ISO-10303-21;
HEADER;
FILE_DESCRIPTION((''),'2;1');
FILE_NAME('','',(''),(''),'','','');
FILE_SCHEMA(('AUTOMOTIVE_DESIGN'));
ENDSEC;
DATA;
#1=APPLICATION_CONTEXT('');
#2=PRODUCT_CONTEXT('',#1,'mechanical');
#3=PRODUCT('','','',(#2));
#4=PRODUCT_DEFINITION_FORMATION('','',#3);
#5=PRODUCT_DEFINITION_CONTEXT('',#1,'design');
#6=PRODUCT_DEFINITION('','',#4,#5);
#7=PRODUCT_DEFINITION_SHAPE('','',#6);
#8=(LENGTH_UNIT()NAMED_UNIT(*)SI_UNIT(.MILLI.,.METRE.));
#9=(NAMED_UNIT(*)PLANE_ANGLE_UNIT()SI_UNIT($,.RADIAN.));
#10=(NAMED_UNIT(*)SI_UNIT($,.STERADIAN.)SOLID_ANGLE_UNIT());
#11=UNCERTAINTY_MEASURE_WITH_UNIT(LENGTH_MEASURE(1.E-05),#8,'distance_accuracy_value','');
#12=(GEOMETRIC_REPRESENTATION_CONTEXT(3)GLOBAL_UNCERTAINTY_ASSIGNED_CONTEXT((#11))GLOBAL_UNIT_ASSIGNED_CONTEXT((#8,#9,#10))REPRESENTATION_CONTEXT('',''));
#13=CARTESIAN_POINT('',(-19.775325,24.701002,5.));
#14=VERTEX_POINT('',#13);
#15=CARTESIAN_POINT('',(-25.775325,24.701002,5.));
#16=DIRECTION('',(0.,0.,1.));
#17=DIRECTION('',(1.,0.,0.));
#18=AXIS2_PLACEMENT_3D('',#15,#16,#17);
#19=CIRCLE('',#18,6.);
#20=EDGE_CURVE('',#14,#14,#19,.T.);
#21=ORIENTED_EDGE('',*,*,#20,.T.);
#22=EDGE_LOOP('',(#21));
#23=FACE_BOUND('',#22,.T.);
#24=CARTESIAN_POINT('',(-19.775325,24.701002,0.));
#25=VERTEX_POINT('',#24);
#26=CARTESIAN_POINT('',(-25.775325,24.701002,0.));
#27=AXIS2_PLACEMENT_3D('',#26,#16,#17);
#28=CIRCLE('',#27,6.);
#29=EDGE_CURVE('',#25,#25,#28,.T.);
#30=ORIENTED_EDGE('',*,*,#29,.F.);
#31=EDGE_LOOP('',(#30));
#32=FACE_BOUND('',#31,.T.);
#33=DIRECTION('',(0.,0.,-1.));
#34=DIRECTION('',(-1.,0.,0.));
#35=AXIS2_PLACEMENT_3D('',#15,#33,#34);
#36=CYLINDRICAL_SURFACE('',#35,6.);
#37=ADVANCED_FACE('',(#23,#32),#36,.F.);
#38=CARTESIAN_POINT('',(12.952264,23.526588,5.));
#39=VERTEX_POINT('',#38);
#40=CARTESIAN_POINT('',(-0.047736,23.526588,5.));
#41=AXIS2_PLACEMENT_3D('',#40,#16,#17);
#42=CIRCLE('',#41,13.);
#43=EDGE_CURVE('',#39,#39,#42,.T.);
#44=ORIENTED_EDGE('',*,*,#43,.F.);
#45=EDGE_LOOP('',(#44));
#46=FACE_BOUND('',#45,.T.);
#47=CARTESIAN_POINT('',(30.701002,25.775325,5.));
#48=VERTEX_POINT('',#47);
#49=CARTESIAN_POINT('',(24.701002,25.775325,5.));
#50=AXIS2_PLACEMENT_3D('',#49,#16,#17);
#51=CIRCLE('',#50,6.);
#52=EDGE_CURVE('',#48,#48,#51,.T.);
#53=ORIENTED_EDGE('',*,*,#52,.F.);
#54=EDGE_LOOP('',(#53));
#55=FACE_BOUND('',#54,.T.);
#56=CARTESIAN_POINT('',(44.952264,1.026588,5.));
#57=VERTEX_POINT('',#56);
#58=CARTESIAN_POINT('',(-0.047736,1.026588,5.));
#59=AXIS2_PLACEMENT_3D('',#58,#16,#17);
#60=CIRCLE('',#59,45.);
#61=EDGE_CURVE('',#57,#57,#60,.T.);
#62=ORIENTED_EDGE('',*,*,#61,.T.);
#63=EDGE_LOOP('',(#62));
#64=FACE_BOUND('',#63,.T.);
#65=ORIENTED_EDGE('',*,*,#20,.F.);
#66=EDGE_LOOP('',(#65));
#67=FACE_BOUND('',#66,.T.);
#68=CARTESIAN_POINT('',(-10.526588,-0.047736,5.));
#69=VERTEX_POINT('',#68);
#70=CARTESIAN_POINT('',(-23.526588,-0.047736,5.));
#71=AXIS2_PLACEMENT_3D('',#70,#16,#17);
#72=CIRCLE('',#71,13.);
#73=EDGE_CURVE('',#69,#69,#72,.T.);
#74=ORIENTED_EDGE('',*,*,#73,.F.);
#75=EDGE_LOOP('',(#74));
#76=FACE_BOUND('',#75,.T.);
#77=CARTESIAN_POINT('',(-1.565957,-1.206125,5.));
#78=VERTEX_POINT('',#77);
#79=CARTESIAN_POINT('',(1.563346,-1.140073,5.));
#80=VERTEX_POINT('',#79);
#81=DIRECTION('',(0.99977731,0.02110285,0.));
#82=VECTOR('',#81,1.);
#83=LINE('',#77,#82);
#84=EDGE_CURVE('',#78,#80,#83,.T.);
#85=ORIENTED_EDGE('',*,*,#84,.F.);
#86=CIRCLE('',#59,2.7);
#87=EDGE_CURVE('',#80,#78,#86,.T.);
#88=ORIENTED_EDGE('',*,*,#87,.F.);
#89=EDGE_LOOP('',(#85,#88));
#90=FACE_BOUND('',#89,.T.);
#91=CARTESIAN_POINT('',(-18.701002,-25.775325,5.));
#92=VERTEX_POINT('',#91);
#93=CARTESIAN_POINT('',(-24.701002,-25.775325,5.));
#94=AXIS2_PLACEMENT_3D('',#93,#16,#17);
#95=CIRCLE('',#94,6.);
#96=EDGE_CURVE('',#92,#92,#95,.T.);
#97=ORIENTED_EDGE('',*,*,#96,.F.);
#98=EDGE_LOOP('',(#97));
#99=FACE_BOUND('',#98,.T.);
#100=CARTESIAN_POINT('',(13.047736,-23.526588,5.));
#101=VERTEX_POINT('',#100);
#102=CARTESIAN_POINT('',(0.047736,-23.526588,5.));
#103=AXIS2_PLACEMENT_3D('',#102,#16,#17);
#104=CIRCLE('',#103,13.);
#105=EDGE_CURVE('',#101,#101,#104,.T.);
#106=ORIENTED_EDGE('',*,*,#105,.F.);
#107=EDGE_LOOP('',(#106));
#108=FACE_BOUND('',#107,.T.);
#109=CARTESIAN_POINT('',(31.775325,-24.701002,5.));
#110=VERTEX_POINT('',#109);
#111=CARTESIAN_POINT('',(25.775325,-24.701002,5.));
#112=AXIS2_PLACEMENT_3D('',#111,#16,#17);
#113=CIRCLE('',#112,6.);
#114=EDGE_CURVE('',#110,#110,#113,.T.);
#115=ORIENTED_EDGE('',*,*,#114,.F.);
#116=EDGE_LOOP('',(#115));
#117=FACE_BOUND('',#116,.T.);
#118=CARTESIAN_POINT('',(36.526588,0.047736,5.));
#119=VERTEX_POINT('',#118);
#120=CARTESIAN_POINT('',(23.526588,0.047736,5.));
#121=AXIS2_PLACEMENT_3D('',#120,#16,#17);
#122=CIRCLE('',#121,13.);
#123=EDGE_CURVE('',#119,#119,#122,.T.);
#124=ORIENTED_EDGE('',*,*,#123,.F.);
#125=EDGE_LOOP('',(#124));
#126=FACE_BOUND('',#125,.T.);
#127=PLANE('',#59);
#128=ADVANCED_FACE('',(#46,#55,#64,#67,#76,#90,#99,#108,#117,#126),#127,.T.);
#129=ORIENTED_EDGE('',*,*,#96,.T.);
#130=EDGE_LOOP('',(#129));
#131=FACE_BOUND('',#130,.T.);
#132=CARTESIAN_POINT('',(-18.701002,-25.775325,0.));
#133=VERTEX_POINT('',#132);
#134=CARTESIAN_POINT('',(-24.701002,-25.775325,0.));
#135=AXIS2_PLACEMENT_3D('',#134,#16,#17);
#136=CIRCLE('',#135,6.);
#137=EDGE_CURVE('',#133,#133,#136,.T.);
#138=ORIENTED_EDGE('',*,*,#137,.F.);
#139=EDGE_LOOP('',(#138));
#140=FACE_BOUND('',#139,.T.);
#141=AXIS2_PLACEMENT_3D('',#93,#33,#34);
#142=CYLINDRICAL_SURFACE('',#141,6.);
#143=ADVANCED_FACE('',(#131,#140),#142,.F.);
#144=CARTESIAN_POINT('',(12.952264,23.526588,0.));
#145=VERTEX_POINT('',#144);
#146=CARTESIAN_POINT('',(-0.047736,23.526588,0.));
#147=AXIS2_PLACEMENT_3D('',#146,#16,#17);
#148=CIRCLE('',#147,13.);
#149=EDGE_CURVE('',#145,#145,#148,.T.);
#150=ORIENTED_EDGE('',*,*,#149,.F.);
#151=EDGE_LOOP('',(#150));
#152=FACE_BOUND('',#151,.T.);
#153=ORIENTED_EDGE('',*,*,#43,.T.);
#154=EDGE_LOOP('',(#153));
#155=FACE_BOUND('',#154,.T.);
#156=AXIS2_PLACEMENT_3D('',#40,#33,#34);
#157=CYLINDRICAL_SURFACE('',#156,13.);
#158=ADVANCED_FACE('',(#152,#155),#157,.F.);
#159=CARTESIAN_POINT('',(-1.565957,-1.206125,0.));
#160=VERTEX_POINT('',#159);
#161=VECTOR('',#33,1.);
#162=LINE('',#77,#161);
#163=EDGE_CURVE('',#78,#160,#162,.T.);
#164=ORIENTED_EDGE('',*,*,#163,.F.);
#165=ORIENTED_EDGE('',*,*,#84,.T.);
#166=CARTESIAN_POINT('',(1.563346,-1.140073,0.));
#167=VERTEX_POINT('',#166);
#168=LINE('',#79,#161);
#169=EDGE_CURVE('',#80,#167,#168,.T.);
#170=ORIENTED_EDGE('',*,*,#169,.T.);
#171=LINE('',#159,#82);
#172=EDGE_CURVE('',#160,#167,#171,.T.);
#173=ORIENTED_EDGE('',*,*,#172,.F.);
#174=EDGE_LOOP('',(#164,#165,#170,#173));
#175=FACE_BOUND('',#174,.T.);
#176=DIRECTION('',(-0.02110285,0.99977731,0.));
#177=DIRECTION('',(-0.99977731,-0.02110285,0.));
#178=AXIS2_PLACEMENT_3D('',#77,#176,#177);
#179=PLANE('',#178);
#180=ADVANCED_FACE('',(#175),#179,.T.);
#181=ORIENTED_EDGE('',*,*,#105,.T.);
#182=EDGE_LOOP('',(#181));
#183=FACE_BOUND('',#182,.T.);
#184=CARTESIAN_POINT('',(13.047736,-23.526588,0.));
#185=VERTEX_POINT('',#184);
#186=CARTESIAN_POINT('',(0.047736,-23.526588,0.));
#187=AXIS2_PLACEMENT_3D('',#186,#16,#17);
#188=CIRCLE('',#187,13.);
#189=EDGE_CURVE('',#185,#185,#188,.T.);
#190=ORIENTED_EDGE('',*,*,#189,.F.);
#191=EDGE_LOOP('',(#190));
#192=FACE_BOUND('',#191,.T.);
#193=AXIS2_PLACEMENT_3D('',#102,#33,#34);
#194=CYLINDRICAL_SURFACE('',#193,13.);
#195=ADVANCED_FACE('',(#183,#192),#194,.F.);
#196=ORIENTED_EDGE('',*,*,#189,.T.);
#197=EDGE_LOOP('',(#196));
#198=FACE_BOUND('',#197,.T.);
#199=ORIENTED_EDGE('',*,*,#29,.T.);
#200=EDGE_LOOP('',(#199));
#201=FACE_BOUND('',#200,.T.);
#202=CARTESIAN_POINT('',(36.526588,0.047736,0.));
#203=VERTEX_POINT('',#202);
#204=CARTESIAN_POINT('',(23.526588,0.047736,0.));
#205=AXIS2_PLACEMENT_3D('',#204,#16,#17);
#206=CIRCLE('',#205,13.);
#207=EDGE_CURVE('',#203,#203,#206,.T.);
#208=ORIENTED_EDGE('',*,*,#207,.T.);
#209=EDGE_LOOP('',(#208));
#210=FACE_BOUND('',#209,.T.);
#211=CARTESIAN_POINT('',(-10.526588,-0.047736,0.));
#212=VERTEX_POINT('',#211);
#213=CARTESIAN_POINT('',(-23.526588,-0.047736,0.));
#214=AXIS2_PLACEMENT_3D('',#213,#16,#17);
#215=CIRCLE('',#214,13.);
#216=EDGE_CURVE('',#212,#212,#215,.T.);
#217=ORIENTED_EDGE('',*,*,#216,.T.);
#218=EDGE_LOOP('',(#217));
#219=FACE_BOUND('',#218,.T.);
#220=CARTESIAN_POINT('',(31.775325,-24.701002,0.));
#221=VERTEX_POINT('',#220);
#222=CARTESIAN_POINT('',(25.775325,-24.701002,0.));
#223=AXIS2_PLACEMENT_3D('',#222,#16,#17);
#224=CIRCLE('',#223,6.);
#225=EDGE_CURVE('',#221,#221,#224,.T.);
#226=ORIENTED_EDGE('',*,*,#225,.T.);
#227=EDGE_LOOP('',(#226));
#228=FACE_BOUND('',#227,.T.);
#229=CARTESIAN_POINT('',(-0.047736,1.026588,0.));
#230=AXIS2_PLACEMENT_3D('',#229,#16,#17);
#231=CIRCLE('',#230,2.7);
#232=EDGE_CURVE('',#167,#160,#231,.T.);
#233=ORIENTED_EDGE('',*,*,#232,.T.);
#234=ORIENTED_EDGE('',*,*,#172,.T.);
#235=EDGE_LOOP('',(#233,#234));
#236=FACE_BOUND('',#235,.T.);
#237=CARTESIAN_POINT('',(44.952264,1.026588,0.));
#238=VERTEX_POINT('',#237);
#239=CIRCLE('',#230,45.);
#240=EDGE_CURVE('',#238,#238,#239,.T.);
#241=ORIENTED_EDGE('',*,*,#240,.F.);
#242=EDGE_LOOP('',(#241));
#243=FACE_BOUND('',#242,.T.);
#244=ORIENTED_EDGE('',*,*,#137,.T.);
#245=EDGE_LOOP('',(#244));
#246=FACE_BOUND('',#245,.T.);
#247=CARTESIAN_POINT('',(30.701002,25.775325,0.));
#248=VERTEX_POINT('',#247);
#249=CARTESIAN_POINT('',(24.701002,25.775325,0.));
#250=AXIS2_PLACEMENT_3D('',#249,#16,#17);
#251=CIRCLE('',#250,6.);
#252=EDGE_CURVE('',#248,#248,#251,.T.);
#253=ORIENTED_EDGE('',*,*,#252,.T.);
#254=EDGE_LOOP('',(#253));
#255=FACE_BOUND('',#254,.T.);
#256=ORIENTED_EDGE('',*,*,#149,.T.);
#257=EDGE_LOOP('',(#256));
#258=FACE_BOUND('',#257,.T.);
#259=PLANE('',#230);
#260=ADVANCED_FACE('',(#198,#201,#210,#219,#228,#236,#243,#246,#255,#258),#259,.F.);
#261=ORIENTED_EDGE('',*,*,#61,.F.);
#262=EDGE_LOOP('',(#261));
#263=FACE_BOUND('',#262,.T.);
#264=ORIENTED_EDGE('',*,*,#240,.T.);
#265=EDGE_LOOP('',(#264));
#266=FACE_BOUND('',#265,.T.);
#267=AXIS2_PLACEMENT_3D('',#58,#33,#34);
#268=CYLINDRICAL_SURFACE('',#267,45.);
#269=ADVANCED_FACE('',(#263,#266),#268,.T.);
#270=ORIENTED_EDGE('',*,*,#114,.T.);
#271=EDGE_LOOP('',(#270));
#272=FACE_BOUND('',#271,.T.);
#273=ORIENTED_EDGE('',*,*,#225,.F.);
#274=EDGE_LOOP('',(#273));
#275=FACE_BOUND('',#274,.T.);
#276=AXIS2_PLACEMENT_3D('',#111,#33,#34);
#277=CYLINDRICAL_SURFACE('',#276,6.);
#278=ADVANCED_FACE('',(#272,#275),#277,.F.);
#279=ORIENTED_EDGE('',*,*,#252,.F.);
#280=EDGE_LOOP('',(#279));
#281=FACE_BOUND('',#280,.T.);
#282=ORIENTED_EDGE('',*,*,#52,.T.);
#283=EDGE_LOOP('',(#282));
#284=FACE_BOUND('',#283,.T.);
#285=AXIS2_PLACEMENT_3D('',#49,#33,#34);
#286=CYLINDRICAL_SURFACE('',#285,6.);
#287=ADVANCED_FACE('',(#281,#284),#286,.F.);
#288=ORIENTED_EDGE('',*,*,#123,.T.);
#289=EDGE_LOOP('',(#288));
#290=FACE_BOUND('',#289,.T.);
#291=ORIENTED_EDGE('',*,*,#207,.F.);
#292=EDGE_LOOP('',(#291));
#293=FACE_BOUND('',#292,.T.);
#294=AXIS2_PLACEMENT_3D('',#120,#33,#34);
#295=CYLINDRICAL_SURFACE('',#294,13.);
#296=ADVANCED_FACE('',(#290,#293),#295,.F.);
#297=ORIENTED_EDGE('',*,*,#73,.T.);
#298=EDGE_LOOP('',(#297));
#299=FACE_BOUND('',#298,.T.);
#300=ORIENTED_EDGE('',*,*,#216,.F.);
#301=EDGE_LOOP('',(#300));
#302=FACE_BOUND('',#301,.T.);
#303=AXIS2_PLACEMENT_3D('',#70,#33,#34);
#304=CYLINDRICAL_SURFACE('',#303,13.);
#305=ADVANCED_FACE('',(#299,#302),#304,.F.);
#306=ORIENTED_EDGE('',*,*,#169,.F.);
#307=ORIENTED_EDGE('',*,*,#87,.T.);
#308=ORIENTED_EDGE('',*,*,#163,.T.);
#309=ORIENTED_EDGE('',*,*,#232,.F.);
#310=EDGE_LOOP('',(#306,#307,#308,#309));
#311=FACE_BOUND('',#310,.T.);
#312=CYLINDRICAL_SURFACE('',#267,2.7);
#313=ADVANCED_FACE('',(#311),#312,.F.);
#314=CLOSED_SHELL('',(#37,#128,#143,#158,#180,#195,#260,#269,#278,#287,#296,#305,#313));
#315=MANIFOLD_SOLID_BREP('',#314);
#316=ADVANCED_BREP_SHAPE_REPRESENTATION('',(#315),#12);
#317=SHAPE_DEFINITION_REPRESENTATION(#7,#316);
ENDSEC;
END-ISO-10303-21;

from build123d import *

# Parameters (mm, degrees)
ESQUISSE1_R        = 45
ESQUISSE1_R_2      = 13
ESQUISSE1_R_3      = 6
BOSS_EXTRU_1_DEPTH = 5


with BuildPart() as part:
    # Esquisse1 → Boss.-Extru.1 (new body)
    with BuildSketch(Plane.XY):
        with Locations((-0.047735681, 1.026587535)):
            Circle(ESQUISSE1_R)
        with Locations((-0.047735681, 23.526587535)):
            Circle(ESQUISSE1_R_2, mode=Mode.SUBTRACT)
        with Locations((23.526587535, 0.047735681)):
            Circle(ESQUISSE1_R_2, mode=Mode.SUBTRACT)
        with Locations((0.047735681, -23.526587535)):
            Circle(ESQUISSE1_R_2, mode=Mode.SUBTRACT)
        with Locations((-23.526587535, -0.047735681)):
            Circle(ESQUISSE1_R_2, mode=Mode.SUBTRACT)
        with Locations((24.70100166, 25.775324877)):
            Circle(ESQUISSE1_R_3, mode=Mode.SUBTRACT)
        with Locations((25.775324877, -24.70100166)):
            Circle(ESQUISSE1_R_3, mode=Mode.SUBTRACT)
        with Locations((-24.70100166, -25.775324877)):
            Circle(ESQUISSE1_R_3, mode=Mode.SUBTRACT)
        with Locations((-25.775324877, 24.70100166)):
            Circle(ESQUISSE1_R_3, mode=Mode.SUBTRACT)
        with BuildLine():
            Line((-1.565957185, -1.206124597), (1.563345795, -1.140072677))
            ThreePointArc((1.563345795, -1.140072677), (-0.104713375, 3.725986273), (-1.565957185, -1.206124597))
        make_face(mode=Mode.SUBTRACT)
    extrude(amount=BOSS_EXTRU_1_DEPTH)


solid = part.part
